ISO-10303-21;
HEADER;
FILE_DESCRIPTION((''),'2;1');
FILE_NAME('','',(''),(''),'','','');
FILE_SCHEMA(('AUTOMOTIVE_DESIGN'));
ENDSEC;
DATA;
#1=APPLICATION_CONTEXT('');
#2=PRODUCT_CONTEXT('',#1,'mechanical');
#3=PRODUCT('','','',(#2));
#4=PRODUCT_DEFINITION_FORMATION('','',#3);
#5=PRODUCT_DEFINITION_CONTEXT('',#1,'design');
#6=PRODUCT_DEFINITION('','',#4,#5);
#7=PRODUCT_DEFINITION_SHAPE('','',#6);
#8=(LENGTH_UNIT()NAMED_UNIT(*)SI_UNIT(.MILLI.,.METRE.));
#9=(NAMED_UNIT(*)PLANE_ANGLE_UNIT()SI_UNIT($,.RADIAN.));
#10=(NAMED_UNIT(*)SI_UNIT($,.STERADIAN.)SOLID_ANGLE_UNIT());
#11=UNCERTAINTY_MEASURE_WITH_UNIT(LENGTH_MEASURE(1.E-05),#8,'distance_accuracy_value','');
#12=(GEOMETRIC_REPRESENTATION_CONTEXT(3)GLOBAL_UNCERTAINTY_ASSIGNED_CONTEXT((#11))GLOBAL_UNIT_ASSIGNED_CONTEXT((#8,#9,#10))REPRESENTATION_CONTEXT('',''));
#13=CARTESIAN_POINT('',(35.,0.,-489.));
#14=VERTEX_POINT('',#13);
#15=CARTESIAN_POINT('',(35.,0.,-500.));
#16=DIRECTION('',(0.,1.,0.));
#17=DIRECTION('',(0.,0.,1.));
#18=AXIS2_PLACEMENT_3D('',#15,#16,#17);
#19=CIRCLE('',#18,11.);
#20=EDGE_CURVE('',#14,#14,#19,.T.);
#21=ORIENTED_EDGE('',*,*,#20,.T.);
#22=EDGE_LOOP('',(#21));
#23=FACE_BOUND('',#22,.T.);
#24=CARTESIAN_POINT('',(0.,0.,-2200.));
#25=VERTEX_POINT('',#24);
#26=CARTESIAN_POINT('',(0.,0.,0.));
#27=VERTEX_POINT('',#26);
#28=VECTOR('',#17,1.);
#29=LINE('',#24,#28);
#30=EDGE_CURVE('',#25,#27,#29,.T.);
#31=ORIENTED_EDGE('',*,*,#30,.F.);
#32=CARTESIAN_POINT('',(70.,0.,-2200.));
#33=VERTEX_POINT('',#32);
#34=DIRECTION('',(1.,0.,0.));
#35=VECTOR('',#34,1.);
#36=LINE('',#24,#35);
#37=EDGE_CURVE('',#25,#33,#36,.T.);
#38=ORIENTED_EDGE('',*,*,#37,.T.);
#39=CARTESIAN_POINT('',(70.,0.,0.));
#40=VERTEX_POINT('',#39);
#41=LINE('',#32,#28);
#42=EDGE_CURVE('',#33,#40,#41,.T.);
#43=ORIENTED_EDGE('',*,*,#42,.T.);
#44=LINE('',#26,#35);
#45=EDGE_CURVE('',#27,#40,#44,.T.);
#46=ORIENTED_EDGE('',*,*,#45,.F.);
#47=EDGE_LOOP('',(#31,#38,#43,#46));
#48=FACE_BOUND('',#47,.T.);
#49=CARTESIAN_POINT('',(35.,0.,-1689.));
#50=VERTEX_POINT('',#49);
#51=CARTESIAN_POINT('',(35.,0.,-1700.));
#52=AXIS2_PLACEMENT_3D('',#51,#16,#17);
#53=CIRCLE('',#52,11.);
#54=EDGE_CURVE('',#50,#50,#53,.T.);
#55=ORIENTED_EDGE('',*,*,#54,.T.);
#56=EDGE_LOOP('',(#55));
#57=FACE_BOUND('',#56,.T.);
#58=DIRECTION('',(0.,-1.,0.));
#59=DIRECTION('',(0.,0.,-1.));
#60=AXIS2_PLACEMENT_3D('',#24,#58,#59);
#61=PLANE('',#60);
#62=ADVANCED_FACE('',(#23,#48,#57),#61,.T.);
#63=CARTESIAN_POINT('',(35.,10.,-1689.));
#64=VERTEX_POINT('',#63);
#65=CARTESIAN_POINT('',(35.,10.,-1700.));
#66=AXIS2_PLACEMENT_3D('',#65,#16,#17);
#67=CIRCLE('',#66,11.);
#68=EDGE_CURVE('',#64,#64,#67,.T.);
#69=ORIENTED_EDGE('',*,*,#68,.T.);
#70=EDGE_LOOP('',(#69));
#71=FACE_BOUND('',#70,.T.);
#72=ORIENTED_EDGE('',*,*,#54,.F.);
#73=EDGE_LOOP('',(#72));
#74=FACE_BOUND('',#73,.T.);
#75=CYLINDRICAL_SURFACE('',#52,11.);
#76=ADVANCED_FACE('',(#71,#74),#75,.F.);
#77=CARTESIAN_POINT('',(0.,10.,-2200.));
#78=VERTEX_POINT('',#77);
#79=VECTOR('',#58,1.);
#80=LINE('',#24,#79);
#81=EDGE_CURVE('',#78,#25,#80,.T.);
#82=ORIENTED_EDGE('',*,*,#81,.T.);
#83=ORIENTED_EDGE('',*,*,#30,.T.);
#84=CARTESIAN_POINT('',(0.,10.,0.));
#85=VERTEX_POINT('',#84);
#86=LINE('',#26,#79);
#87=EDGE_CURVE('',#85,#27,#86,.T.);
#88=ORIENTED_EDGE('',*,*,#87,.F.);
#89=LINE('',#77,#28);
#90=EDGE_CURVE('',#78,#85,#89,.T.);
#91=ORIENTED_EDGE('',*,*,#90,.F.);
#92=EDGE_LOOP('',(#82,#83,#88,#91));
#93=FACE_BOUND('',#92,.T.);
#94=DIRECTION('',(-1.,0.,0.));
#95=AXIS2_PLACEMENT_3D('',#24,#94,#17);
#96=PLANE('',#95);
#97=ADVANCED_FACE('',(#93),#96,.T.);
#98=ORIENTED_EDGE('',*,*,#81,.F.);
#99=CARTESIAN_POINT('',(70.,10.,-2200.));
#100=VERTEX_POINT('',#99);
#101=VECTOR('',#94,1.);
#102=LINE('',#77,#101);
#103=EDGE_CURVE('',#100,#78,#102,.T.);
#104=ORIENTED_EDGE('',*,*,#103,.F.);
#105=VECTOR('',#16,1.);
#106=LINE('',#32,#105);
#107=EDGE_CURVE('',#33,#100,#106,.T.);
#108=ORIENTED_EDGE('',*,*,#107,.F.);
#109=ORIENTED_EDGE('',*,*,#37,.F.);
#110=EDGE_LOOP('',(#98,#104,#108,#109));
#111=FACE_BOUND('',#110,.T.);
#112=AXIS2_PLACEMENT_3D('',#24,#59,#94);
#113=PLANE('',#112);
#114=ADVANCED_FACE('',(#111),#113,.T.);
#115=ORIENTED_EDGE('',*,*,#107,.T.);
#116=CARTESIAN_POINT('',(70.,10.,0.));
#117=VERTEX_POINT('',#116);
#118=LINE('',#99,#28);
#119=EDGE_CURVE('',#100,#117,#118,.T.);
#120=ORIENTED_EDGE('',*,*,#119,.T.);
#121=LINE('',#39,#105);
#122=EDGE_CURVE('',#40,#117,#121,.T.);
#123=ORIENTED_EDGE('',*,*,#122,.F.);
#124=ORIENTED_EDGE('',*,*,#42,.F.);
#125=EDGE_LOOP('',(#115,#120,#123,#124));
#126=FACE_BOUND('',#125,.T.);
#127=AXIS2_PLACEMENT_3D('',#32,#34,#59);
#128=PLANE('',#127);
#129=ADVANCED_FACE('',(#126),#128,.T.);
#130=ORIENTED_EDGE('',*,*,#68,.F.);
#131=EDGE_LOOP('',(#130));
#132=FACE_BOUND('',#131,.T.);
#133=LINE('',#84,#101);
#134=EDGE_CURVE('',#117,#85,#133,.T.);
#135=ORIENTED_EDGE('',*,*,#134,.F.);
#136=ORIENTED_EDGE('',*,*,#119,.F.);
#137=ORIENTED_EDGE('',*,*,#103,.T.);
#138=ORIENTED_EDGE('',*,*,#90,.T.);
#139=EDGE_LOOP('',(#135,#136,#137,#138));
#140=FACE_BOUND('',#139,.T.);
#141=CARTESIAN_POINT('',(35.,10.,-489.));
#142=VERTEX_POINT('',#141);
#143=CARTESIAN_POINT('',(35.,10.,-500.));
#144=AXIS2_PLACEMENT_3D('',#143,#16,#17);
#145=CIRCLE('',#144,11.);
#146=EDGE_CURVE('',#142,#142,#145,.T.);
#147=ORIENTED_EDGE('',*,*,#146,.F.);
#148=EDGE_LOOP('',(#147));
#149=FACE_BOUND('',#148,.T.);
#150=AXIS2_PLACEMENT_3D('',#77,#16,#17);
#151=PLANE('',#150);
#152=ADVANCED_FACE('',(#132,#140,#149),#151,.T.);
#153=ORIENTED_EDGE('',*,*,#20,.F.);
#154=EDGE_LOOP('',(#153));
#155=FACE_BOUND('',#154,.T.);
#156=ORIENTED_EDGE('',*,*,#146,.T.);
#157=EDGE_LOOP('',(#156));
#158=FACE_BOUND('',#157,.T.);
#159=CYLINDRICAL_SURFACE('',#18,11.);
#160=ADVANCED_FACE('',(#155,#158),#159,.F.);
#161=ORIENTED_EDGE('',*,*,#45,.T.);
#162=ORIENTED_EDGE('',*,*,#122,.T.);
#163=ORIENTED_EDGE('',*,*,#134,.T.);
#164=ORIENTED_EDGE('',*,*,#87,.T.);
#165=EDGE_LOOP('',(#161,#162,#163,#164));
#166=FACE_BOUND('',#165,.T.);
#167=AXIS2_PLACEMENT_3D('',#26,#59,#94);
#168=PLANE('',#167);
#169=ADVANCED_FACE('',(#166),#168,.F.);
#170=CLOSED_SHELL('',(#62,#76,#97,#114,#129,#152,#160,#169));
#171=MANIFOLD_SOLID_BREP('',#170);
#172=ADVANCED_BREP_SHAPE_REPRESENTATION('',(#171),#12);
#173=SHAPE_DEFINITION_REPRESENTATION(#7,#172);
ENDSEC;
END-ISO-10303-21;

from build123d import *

# Parameters (mm, degrees)
SKETCH_1_W          = 70
SKETCH_1_H          = 10
EXTRUDE_1_DEPTH     = 2200
SKETCH_2_R          = 11
CUT_EXTRUDE_1_DEPTH = 2202.136070306


with BuildPart() as part:
    # 草图1 → 凸台-拉伸1 (new body)
    with BuildSketch(Plane.XY):
        with Locations((35, 5)):
            Rectangle(SKETCH_1_W, SKETCH_1_H)
    extrude(amount=-EXTRUDE_1_DEPTH)

    # 草图2 → 切除-拉伸1 (cut, through all)
    with BuildSketch(Plane(origin=(0, 10, 0), x_dir=(1, 0, 0), z_dir=(0, 1, 0))):
        with Locations(Location((35, 1700, 0), (0, 0, 270))):
            Circle(SKETCH_2_R)
        with Locations(Location((35, 500, 0), (0, 0, 270))):
            Circle(SKETCH_2_R)
    extrude(amount=-CUT_EXTRUDE_1_DEPTH, mode=Mode.SUBTRACT)


solid = part.part
